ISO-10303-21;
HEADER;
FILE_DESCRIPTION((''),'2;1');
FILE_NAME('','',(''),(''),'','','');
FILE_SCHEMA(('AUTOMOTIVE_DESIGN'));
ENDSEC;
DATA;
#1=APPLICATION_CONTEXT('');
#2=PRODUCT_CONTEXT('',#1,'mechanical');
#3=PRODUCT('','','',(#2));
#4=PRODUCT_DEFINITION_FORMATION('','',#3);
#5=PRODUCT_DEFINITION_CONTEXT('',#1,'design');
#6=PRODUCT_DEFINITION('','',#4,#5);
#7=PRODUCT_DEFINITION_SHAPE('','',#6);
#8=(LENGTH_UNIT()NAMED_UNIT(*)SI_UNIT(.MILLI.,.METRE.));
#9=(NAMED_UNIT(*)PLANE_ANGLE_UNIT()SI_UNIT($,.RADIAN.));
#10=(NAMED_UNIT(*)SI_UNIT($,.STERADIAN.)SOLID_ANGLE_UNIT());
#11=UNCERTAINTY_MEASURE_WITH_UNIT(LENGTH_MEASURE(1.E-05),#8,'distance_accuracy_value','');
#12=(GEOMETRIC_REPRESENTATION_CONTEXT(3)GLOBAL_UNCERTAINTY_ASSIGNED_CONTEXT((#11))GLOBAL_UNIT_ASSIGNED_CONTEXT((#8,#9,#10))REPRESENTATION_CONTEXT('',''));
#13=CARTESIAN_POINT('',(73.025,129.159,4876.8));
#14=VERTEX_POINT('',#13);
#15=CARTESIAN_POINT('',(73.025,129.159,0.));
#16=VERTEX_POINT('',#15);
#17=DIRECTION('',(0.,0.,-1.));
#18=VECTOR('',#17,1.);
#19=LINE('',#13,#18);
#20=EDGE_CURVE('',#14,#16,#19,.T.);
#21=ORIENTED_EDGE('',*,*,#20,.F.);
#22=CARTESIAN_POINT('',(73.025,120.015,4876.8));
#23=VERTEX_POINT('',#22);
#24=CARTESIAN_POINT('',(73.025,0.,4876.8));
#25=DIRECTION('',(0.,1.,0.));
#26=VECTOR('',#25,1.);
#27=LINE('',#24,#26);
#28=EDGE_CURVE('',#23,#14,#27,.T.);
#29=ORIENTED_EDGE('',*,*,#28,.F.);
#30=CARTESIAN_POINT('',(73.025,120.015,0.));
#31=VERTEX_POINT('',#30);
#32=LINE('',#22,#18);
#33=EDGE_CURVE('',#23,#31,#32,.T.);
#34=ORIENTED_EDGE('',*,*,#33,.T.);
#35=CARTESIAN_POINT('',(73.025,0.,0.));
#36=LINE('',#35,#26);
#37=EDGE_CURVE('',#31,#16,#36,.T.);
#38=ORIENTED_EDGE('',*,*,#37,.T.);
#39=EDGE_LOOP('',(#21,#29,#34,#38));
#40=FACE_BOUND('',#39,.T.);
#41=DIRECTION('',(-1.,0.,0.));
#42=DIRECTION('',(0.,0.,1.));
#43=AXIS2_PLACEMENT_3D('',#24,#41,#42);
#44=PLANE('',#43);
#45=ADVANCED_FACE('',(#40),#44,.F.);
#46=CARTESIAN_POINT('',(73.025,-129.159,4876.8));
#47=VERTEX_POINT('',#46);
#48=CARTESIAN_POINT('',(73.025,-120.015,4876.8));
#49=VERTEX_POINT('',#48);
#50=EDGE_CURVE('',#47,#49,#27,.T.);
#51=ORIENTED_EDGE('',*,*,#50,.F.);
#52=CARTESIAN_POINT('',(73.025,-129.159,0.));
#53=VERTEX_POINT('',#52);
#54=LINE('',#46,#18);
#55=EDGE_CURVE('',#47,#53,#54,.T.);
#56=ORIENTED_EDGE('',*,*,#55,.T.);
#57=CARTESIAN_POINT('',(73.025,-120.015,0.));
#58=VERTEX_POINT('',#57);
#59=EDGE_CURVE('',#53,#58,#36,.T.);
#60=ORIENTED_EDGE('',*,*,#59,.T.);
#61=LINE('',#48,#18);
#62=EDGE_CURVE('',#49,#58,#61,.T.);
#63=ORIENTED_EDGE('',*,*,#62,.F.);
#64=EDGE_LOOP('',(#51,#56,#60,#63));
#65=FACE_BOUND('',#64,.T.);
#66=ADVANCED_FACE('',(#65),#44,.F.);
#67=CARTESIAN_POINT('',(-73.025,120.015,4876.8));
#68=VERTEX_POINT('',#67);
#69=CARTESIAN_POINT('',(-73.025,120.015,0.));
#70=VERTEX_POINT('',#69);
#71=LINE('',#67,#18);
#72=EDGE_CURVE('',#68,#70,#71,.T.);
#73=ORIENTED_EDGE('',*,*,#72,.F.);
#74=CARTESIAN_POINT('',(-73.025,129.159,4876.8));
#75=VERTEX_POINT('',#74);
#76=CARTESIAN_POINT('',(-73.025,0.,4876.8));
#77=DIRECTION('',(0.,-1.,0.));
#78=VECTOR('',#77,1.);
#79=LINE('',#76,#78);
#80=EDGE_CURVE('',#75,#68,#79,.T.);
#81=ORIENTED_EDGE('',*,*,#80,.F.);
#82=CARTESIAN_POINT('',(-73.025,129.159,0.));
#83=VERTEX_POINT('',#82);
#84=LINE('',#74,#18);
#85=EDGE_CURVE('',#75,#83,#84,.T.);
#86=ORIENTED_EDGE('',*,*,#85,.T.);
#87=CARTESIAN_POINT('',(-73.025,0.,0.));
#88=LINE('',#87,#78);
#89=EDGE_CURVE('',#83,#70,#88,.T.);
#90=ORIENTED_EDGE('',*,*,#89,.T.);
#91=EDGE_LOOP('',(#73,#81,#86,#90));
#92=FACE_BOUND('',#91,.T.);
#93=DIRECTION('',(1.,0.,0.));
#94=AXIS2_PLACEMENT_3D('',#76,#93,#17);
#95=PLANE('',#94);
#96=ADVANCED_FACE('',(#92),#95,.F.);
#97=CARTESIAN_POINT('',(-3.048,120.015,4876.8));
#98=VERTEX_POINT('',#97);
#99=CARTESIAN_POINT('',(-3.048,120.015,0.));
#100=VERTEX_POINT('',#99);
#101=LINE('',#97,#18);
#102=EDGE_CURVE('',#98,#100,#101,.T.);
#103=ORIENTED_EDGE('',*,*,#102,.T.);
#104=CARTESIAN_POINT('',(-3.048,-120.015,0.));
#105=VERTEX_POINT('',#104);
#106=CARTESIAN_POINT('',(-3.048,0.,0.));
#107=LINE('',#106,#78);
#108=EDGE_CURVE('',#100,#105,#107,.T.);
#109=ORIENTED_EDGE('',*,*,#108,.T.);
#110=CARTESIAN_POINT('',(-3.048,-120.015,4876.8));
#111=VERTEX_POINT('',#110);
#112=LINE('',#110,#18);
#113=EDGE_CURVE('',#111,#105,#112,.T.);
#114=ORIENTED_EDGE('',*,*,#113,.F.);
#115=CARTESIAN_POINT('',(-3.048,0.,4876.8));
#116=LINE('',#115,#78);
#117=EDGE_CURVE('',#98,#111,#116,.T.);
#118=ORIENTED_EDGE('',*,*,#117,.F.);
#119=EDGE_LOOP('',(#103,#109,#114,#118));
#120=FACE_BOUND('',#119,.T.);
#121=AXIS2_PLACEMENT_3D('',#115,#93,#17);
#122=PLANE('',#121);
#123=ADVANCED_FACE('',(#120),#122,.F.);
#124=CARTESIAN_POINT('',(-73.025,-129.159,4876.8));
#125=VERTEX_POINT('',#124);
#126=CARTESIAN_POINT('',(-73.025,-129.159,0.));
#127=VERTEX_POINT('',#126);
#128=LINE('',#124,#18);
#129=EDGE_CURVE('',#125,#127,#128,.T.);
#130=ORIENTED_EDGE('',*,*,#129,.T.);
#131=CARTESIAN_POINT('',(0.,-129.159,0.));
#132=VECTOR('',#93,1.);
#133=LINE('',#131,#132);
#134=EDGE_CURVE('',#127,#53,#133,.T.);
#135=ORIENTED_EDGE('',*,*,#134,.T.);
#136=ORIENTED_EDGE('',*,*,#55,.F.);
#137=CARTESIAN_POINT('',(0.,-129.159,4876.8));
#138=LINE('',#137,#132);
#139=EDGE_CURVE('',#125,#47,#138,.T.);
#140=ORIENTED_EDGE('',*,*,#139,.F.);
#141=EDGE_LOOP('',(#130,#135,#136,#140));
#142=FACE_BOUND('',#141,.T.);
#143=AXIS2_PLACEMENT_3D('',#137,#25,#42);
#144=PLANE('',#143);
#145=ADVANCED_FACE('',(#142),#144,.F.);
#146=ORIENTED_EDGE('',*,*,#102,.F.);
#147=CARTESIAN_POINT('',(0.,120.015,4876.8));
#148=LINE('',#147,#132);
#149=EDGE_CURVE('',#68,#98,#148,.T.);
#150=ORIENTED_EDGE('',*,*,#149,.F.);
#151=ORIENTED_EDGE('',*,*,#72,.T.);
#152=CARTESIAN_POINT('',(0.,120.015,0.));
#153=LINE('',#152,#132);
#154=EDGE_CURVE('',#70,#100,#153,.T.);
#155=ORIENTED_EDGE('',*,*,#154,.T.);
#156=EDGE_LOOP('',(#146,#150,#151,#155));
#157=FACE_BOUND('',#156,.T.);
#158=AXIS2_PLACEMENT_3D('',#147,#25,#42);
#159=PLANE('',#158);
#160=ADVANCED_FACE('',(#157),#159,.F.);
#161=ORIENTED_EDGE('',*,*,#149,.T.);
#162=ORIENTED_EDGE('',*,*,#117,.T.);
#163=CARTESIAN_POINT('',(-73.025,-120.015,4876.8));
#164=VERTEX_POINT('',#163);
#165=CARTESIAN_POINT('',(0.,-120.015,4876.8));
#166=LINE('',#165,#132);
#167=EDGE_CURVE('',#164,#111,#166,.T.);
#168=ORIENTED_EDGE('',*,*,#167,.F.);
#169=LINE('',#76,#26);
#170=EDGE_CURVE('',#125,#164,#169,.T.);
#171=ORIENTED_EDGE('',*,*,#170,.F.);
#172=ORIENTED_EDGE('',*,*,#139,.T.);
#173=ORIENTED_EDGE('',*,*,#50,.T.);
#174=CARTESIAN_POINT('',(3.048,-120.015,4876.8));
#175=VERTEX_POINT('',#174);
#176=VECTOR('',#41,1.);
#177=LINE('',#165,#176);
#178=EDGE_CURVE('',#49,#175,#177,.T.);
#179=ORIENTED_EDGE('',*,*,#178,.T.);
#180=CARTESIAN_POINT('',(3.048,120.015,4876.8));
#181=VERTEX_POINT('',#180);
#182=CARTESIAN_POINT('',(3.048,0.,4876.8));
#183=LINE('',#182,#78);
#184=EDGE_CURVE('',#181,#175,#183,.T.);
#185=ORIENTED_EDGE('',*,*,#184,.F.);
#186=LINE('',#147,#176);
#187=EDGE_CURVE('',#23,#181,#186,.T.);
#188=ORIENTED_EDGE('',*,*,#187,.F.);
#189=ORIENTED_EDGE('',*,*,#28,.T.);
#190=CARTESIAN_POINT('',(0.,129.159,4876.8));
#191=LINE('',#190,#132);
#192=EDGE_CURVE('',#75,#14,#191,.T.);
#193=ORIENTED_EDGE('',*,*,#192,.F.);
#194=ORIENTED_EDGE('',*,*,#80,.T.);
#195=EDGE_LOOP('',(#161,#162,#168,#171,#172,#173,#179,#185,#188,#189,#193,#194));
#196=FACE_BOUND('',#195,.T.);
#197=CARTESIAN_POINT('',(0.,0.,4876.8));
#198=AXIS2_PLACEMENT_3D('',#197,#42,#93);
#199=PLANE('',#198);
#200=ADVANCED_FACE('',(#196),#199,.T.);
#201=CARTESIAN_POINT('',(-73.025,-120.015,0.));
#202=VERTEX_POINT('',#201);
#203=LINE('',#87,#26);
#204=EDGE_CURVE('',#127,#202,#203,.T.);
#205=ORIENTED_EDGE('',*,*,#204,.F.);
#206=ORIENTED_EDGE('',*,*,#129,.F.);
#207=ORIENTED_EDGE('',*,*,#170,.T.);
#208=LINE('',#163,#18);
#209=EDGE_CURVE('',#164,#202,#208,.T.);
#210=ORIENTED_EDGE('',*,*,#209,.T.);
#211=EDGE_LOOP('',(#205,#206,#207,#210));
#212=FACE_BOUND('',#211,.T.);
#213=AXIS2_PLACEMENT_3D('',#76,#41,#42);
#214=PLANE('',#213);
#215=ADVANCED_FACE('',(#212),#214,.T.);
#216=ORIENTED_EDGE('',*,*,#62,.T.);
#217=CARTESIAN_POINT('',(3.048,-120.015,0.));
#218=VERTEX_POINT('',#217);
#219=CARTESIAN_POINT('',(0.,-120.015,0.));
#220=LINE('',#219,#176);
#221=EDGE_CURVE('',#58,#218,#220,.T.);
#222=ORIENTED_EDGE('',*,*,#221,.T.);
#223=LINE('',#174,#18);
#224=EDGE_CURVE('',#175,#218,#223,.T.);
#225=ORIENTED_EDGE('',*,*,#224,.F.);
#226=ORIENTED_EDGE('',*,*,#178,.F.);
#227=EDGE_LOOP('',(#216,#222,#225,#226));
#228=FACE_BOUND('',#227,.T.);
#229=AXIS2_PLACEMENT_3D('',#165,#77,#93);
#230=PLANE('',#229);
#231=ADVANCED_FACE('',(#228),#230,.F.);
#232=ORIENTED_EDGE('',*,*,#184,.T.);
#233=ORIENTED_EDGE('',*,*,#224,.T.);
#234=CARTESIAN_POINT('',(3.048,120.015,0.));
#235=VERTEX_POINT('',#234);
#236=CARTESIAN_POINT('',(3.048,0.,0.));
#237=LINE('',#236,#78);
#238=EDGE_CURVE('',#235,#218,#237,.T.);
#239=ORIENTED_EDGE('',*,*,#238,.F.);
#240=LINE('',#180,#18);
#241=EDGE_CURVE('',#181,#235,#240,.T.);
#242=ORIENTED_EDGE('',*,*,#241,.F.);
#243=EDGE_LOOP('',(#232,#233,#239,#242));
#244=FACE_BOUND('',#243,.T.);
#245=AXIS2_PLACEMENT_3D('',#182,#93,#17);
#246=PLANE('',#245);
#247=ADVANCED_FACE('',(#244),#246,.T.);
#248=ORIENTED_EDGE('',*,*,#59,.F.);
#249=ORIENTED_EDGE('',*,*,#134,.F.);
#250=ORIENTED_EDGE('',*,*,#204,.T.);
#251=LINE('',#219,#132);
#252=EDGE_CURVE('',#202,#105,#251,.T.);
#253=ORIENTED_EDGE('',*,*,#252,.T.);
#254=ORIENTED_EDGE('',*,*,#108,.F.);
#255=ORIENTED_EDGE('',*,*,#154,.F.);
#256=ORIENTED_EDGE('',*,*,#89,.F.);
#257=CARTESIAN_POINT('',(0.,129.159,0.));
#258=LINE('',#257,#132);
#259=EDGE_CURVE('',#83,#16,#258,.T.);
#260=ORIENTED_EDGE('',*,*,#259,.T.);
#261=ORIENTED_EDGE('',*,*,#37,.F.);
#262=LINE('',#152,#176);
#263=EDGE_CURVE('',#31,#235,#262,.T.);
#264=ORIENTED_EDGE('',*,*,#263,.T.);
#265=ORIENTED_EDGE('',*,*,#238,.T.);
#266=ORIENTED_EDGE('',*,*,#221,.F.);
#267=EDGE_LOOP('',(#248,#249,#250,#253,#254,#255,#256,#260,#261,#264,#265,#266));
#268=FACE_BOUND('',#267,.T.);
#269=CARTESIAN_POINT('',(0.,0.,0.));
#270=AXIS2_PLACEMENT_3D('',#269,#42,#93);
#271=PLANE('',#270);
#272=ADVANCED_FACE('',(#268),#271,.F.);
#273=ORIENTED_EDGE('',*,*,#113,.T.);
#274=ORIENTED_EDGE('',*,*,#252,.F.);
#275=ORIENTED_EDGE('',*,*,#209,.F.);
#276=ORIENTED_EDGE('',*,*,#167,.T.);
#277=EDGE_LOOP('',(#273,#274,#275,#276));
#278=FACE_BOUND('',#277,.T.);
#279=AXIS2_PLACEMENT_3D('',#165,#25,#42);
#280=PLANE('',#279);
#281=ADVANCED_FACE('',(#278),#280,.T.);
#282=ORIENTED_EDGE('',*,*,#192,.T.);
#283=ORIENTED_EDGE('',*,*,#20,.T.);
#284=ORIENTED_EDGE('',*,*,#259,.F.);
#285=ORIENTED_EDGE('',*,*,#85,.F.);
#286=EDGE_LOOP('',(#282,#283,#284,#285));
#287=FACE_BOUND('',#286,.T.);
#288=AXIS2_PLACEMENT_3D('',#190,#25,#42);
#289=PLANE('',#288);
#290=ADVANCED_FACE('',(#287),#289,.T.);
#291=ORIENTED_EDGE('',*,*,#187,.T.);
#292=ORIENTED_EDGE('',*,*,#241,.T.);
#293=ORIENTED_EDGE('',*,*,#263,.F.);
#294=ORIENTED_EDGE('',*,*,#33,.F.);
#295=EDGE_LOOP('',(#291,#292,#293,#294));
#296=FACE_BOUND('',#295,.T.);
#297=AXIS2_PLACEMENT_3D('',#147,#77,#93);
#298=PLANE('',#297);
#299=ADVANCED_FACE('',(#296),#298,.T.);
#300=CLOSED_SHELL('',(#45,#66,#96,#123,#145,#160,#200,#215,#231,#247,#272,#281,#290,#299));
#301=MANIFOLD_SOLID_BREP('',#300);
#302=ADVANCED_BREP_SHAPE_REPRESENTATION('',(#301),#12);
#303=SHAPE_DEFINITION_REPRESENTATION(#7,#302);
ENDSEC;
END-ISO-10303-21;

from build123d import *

# Parameters (mm, degrees)
BOSS_EXTRUDE1_DEPTH = 4876.8


with BuildPart() as part:
    # Sketch2 → Boss-Extrude1 (new body)
    with BuildSketch(Plane.XY):
        Polygon((-73.025, 129.159), (-73.025, 120.015), (-3.048, 120.015), (-3.048, -120.015), (-73.025, -120.015), (-73.025, -129.159), (73.025, -129.159), (73.025, -120.015), (3.048, -120.015), (3.048, 120.015), (73.025, 120.015), (73.025, 129.159), align=None)
    extrude(amount=BOSS_EXTRUDE1_DEPTH)


solid = part.part
